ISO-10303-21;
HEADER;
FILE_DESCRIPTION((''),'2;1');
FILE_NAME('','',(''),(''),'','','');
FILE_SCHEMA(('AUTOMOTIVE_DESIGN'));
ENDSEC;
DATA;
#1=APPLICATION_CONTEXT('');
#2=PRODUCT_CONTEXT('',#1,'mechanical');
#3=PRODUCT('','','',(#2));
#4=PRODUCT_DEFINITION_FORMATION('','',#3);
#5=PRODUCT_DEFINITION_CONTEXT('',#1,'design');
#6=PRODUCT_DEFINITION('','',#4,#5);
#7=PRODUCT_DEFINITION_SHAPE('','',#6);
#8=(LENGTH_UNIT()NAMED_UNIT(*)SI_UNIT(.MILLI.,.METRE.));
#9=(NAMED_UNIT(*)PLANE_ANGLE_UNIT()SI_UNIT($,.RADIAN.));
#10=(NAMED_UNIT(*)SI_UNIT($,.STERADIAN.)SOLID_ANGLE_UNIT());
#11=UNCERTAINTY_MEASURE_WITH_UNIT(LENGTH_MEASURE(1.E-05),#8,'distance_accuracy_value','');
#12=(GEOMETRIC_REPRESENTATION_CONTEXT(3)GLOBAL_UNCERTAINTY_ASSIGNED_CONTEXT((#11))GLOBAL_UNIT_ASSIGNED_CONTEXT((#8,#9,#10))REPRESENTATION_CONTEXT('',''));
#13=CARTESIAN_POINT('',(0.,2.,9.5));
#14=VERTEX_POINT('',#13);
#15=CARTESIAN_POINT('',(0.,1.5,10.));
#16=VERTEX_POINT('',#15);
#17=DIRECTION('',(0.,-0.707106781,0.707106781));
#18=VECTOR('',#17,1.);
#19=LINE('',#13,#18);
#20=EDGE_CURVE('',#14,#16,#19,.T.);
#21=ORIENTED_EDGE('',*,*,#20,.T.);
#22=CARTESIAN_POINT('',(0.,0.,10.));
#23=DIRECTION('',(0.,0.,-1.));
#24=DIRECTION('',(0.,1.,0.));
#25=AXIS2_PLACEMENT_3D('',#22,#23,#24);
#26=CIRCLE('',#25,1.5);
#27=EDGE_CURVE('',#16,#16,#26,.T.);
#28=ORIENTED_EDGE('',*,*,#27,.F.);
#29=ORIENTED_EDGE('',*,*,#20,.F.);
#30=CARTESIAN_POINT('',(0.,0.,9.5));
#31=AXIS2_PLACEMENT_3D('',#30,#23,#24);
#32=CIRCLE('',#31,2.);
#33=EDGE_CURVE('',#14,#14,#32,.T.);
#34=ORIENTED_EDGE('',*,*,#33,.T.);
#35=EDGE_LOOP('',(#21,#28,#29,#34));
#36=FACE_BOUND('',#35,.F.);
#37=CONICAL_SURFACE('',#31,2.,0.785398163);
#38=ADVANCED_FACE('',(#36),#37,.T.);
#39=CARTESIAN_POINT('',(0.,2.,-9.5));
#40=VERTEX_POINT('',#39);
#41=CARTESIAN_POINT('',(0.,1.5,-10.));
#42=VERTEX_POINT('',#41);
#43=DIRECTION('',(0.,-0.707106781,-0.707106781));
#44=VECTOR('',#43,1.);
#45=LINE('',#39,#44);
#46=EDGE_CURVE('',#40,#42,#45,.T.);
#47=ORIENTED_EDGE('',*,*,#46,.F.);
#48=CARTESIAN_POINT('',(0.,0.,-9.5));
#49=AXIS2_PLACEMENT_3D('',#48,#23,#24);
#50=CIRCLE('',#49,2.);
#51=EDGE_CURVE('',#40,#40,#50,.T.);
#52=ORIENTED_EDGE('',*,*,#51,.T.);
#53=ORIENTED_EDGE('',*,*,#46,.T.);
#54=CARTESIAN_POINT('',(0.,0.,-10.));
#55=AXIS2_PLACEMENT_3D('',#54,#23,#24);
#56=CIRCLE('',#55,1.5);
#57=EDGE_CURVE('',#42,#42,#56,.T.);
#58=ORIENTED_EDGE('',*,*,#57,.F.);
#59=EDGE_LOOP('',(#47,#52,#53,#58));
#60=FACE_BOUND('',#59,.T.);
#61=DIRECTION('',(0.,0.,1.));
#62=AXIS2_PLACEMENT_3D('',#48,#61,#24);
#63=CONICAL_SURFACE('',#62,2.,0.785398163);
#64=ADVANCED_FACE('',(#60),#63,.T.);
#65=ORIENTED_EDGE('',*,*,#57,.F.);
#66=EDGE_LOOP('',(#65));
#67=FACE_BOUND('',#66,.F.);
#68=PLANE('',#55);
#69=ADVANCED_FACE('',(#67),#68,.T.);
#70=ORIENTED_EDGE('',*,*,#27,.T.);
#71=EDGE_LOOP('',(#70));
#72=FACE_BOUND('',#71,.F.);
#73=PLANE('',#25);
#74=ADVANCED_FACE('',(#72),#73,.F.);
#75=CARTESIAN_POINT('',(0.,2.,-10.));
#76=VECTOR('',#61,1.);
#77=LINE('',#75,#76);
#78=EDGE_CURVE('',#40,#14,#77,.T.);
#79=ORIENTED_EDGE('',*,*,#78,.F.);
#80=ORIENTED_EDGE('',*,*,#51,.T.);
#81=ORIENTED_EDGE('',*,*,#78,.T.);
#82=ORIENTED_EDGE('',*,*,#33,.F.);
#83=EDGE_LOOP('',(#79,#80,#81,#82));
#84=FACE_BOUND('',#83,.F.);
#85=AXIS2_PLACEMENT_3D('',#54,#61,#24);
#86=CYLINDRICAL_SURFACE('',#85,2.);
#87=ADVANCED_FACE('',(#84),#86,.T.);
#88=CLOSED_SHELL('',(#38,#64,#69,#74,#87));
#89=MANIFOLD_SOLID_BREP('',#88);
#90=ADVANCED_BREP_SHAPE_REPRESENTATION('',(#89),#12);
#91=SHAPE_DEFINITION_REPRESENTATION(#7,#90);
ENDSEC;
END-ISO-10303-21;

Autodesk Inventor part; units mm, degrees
ref_plane "YZ Plane" through (0, 0, 0) normal (1, 0, 0) x (0, 1, 0)
ref_plane "XZ Plane" through (0, 0, 0) normal (0, 1, 0) x (-1, 0, 0)
ref_plane "XY Plane" through (0, 0, 0) normal (0, 0, 1) x (1, 0, 0)
sketch "Sketch1" plane through (0, 0, 0) normal (1, 0, 0) x (0, 1, 0)
  line L0 (2, 10) -> (0, 10)
  line L1 (0, 10) -> (0, -10)
  line L2 (0, -10) -> (2, -10)
  line L3 (2, -10) -> (2, 10)
  point P0 (0, 0)
  point P1 (0, 0)
  dimension "d0" = 4
  dimension "d1" = 20
revolve "Revolution1" add sketch "Sketch1" angle 360 about axis through (0, 0, 10) along (0, 0, -1)
chamfer "Chamfer1" distance 0.5 angle 45 2 edges at (0, -2, 10) (0, -2, -10)
properties part number "Pin"
